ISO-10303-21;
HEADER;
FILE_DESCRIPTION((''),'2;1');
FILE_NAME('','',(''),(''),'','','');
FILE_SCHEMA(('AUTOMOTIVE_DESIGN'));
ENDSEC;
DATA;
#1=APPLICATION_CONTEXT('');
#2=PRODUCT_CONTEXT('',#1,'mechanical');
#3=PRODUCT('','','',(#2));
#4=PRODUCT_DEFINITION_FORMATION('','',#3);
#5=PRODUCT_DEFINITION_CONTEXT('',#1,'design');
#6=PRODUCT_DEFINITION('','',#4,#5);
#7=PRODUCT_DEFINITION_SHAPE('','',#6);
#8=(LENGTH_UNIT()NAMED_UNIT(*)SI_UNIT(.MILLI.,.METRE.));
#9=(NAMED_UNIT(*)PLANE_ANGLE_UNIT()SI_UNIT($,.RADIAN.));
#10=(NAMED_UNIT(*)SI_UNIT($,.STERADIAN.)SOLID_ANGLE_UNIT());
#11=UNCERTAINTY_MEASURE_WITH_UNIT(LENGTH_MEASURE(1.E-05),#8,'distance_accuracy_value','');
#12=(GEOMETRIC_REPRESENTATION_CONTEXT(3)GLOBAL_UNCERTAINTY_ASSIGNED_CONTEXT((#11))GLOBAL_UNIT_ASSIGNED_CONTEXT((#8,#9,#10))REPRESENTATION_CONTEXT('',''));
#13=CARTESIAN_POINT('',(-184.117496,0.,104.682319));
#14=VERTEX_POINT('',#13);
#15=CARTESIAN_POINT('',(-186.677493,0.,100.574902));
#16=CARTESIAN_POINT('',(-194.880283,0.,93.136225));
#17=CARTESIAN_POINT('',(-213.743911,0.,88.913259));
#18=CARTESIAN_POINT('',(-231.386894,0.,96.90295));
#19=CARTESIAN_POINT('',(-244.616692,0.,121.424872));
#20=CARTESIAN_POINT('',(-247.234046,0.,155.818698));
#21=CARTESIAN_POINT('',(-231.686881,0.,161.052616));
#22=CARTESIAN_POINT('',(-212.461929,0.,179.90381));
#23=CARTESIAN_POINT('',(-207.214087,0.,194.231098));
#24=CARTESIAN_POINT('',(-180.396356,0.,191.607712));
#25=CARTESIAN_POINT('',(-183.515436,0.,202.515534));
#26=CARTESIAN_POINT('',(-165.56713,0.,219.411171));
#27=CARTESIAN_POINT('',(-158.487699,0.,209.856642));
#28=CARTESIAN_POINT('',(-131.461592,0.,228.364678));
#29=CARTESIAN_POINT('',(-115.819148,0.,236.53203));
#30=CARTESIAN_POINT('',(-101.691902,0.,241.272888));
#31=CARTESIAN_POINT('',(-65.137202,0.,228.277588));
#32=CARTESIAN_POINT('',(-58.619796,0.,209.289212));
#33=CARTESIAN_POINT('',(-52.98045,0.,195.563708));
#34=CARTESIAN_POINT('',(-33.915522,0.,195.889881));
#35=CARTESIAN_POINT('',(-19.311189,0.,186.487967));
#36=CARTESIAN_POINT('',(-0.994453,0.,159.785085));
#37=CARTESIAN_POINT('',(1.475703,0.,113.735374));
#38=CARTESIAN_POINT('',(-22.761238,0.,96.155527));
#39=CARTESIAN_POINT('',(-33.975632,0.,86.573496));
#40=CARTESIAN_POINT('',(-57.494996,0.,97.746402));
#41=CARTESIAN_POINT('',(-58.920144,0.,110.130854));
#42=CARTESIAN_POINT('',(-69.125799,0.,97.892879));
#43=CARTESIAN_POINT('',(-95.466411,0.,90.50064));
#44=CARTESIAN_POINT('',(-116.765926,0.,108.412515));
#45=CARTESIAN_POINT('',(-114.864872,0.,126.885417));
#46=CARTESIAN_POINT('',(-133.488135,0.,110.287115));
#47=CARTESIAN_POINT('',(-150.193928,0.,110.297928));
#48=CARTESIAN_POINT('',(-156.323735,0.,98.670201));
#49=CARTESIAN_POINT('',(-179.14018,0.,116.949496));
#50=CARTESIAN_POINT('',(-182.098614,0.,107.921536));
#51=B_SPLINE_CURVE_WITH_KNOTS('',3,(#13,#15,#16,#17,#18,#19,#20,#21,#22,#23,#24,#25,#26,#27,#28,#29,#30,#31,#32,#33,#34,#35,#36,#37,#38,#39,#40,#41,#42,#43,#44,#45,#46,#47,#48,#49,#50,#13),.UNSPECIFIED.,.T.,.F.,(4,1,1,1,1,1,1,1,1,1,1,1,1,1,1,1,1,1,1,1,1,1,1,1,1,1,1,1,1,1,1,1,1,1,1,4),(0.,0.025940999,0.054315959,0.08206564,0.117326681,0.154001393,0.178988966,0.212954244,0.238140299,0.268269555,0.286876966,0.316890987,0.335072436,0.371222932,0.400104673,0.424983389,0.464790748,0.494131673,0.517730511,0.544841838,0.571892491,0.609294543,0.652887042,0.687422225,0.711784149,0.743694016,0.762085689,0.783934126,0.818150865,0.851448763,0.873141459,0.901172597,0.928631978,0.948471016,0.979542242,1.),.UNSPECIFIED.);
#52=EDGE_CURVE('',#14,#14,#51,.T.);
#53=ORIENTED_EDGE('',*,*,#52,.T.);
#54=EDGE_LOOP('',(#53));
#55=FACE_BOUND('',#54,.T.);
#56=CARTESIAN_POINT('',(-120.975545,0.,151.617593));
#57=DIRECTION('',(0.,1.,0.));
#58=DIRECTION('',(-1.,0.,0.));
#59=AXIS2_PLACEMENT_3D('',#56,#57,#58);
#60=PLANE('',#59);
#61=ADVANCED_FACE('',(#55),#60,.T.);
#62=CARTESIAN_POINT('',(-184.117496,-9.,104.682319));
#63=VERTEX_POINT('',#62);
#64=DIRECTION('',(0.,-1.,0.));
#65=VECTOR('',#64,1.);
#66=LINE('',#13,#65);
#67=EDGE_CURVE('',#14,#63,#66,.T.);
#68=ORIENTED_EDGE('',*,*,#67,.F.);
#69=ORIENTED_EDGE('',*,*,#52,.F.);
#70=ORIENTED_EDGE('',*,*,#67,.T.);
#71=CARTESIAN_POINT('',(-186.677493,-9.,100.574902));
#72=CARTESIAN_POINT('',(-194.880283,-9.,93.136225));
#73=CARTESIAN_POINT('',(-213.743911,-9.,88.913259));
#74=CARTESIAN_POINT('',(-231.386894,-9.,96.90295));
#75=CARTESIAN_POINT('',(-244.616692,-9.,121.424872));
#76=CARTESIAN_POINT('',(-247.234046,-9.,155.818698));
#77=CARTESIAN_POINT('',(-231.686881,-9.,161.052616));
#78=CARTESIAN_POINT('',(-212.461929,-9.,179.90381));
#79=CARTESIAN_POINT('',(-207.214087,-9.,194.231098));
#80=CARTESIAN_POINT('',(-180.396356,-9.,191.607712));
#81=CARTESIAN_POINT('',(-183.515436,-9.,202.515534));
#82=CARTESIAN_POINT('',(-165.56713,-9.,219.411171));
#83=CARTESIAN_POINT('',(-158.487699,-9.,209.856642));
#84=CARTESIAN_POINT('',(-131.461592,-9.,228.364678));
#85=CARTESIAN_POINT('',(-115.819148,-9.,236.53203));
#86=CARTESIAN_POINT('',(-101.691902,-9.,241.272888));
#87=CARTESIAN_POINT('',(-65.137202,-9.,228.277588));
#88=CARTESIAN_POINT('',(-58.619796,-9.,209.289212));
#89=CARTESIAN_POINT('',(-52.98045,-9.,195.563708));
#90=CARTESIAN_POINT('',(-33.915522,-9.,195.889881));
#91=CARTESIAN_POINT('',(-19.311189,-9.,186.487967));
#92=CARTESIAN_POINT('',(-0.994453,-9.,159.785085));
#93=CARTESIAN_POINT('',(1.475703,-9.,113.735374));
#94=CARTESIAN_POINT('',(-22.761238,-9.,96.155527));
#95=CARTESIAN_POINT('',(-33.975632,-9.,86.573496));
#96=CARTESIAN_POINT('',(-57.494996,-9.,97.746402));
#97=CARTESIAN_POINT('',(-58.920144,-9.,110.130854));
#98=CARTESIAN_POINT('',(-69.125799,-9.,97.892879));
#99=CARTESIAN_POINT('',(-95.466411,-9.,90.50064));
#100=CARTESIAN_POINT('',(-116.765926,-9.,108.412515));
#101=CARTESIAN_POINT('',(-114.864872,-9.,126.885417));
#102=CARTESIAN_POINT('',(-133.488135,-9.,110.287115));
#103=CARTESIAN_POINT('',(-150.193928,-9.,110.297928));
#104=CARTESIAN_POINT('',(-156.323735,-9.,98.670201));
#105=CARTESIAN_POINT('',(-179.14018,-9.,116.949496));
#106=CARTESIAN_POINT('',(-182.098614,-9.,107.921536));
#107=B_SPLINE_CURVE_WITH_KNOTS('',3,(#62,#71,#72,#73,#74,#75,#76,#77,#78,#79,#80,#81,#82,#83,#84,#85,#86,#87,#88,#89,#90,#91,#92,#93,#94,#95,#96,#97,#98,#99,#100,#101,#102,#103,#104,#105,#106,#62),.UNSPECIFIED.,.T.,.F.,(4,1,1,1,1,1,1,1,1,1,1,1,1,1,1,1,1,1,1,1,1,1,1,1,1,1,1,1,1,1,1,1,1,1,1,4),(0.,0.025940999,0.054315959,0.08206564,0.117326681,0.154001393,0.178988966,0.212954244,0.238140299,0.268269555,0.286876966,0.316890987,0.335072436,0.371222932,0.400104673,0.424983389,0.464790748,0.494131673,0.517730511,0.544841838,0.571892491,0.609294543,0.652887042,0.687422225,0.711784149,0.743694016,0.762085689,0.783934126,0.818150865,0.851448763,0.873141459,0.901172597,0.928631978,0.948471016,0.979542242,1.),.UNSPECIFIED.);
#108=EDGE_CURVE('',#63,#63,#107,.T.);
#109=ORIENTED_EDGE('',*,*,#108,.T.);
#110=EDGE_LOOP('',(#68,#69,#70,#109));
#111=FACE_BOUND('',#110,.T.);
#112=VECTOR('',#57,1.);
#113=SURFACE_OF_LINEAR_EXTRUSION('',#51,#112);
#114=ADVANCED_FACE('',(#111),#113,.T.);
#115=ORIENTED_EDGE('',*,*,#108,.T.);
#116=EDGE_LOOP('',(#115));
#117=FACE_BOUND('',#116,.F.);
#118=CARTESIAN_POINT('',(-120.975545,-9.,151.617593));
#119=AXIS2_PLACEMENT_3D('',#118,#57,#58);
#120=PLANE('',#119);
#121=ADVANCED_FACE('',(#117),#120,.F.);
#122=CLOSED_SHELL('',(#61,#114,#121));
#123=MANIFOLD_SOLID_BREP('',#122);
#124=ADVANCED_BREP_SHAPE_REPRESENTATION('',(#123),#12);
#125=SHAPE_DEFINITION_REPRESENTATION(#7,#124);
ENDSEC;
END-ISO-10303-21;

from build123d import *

# Parameters (mm, degrees)
F1_DEPTH = 9


with BuildPart() as f1:
    # F0 (on Front) → F1 (new body)
    with BuildSketch(Plane.XZ):
        with BuildLine():
            add(Edge.make_bspline(
                [(-184.1174960136, 104.6823188663), (-186.6774933056, 100.5749022277), (-194.8802825551, 93.1362253659), (-213.7439110292, 88.9132587843), (-231.3868939634, 96.9029500319), (-244.6166923881, 121.4248723753), (-247.2340463253, 155.8186979894), (-231.6868807047, 161.0526160065), (-212.4619294501, 179.9038102146), (-207.2140872178, 194.2310980862), (-180.3963556145, 191.6077124882), (-183.5154361486, 202.5155340985), (-165.567130064, 219.4111709443), (-158.4876992579, 209.8566419462), (-131.4615922578, 228.364678127), (-115.8191483208, 236.5320301111), (-101.6919017624, 241.2728882059), (-65.1372019018, 228.2775882161), (-58.6197959163, 209.2892121529), (-52.9804501824, 195.5637077542), (-33.9155216943, 195.8898807119), (-19.3111893654, 186.4879672069), (-0.9944531042, 159.7850848168), (1.4757025104, 113.7353735486), (-22.7612380563, 96.1555271339), (-33.975631949, 86.5734964723), (-57.4949960145, 97.7464021317), (-58.9201443531, 110.1308536239), (-69.1257994393, 97.8928790482), (-95.4664105124, 90.5006400118), (-116.7659264919, 108.4125149541), (-114.8648719522, 126.8854165662), (-133.4881345115, 110.2871147702), (-150.1939280492, 110.2979279022), (-156.3237347764, 98.6702006479), (-179.1401801796, 116.9494960642), (-182.0986143834, 107.921536355), (-184.1174960136, 104.6823188663)],
                knots=[0, 0, 0, 0, 0.0259409987, 0.0543159595, 0.0820656402, 0.1173266814, 0.1540013934, 0.1789889657, 0.2129542439, 0.2381402987, 0.2682695547, 0.2868769659, 0.316890987, 0.3350724362, 0.3712229319, 0.4001046733, 0.4249833886, 0.4647907478, 0.4941316725, 0.5177305111, 0.5448418384, 0.5718924914, 0.6092945432, 0.6528870417, 0.6874222249, 0.7117841494, 0.7436940162, 0.7620856895, 0.7839341264, 0.818150865, 0.851448763, 0.8731414585, 0.9011725971, 0.9286319781, 0.9484710163, 0.9795422417, 1, 1, 1, 1], degree=3))
        make_face()
    extrude(amount=F1_DEPTH)


solid = f1.part
